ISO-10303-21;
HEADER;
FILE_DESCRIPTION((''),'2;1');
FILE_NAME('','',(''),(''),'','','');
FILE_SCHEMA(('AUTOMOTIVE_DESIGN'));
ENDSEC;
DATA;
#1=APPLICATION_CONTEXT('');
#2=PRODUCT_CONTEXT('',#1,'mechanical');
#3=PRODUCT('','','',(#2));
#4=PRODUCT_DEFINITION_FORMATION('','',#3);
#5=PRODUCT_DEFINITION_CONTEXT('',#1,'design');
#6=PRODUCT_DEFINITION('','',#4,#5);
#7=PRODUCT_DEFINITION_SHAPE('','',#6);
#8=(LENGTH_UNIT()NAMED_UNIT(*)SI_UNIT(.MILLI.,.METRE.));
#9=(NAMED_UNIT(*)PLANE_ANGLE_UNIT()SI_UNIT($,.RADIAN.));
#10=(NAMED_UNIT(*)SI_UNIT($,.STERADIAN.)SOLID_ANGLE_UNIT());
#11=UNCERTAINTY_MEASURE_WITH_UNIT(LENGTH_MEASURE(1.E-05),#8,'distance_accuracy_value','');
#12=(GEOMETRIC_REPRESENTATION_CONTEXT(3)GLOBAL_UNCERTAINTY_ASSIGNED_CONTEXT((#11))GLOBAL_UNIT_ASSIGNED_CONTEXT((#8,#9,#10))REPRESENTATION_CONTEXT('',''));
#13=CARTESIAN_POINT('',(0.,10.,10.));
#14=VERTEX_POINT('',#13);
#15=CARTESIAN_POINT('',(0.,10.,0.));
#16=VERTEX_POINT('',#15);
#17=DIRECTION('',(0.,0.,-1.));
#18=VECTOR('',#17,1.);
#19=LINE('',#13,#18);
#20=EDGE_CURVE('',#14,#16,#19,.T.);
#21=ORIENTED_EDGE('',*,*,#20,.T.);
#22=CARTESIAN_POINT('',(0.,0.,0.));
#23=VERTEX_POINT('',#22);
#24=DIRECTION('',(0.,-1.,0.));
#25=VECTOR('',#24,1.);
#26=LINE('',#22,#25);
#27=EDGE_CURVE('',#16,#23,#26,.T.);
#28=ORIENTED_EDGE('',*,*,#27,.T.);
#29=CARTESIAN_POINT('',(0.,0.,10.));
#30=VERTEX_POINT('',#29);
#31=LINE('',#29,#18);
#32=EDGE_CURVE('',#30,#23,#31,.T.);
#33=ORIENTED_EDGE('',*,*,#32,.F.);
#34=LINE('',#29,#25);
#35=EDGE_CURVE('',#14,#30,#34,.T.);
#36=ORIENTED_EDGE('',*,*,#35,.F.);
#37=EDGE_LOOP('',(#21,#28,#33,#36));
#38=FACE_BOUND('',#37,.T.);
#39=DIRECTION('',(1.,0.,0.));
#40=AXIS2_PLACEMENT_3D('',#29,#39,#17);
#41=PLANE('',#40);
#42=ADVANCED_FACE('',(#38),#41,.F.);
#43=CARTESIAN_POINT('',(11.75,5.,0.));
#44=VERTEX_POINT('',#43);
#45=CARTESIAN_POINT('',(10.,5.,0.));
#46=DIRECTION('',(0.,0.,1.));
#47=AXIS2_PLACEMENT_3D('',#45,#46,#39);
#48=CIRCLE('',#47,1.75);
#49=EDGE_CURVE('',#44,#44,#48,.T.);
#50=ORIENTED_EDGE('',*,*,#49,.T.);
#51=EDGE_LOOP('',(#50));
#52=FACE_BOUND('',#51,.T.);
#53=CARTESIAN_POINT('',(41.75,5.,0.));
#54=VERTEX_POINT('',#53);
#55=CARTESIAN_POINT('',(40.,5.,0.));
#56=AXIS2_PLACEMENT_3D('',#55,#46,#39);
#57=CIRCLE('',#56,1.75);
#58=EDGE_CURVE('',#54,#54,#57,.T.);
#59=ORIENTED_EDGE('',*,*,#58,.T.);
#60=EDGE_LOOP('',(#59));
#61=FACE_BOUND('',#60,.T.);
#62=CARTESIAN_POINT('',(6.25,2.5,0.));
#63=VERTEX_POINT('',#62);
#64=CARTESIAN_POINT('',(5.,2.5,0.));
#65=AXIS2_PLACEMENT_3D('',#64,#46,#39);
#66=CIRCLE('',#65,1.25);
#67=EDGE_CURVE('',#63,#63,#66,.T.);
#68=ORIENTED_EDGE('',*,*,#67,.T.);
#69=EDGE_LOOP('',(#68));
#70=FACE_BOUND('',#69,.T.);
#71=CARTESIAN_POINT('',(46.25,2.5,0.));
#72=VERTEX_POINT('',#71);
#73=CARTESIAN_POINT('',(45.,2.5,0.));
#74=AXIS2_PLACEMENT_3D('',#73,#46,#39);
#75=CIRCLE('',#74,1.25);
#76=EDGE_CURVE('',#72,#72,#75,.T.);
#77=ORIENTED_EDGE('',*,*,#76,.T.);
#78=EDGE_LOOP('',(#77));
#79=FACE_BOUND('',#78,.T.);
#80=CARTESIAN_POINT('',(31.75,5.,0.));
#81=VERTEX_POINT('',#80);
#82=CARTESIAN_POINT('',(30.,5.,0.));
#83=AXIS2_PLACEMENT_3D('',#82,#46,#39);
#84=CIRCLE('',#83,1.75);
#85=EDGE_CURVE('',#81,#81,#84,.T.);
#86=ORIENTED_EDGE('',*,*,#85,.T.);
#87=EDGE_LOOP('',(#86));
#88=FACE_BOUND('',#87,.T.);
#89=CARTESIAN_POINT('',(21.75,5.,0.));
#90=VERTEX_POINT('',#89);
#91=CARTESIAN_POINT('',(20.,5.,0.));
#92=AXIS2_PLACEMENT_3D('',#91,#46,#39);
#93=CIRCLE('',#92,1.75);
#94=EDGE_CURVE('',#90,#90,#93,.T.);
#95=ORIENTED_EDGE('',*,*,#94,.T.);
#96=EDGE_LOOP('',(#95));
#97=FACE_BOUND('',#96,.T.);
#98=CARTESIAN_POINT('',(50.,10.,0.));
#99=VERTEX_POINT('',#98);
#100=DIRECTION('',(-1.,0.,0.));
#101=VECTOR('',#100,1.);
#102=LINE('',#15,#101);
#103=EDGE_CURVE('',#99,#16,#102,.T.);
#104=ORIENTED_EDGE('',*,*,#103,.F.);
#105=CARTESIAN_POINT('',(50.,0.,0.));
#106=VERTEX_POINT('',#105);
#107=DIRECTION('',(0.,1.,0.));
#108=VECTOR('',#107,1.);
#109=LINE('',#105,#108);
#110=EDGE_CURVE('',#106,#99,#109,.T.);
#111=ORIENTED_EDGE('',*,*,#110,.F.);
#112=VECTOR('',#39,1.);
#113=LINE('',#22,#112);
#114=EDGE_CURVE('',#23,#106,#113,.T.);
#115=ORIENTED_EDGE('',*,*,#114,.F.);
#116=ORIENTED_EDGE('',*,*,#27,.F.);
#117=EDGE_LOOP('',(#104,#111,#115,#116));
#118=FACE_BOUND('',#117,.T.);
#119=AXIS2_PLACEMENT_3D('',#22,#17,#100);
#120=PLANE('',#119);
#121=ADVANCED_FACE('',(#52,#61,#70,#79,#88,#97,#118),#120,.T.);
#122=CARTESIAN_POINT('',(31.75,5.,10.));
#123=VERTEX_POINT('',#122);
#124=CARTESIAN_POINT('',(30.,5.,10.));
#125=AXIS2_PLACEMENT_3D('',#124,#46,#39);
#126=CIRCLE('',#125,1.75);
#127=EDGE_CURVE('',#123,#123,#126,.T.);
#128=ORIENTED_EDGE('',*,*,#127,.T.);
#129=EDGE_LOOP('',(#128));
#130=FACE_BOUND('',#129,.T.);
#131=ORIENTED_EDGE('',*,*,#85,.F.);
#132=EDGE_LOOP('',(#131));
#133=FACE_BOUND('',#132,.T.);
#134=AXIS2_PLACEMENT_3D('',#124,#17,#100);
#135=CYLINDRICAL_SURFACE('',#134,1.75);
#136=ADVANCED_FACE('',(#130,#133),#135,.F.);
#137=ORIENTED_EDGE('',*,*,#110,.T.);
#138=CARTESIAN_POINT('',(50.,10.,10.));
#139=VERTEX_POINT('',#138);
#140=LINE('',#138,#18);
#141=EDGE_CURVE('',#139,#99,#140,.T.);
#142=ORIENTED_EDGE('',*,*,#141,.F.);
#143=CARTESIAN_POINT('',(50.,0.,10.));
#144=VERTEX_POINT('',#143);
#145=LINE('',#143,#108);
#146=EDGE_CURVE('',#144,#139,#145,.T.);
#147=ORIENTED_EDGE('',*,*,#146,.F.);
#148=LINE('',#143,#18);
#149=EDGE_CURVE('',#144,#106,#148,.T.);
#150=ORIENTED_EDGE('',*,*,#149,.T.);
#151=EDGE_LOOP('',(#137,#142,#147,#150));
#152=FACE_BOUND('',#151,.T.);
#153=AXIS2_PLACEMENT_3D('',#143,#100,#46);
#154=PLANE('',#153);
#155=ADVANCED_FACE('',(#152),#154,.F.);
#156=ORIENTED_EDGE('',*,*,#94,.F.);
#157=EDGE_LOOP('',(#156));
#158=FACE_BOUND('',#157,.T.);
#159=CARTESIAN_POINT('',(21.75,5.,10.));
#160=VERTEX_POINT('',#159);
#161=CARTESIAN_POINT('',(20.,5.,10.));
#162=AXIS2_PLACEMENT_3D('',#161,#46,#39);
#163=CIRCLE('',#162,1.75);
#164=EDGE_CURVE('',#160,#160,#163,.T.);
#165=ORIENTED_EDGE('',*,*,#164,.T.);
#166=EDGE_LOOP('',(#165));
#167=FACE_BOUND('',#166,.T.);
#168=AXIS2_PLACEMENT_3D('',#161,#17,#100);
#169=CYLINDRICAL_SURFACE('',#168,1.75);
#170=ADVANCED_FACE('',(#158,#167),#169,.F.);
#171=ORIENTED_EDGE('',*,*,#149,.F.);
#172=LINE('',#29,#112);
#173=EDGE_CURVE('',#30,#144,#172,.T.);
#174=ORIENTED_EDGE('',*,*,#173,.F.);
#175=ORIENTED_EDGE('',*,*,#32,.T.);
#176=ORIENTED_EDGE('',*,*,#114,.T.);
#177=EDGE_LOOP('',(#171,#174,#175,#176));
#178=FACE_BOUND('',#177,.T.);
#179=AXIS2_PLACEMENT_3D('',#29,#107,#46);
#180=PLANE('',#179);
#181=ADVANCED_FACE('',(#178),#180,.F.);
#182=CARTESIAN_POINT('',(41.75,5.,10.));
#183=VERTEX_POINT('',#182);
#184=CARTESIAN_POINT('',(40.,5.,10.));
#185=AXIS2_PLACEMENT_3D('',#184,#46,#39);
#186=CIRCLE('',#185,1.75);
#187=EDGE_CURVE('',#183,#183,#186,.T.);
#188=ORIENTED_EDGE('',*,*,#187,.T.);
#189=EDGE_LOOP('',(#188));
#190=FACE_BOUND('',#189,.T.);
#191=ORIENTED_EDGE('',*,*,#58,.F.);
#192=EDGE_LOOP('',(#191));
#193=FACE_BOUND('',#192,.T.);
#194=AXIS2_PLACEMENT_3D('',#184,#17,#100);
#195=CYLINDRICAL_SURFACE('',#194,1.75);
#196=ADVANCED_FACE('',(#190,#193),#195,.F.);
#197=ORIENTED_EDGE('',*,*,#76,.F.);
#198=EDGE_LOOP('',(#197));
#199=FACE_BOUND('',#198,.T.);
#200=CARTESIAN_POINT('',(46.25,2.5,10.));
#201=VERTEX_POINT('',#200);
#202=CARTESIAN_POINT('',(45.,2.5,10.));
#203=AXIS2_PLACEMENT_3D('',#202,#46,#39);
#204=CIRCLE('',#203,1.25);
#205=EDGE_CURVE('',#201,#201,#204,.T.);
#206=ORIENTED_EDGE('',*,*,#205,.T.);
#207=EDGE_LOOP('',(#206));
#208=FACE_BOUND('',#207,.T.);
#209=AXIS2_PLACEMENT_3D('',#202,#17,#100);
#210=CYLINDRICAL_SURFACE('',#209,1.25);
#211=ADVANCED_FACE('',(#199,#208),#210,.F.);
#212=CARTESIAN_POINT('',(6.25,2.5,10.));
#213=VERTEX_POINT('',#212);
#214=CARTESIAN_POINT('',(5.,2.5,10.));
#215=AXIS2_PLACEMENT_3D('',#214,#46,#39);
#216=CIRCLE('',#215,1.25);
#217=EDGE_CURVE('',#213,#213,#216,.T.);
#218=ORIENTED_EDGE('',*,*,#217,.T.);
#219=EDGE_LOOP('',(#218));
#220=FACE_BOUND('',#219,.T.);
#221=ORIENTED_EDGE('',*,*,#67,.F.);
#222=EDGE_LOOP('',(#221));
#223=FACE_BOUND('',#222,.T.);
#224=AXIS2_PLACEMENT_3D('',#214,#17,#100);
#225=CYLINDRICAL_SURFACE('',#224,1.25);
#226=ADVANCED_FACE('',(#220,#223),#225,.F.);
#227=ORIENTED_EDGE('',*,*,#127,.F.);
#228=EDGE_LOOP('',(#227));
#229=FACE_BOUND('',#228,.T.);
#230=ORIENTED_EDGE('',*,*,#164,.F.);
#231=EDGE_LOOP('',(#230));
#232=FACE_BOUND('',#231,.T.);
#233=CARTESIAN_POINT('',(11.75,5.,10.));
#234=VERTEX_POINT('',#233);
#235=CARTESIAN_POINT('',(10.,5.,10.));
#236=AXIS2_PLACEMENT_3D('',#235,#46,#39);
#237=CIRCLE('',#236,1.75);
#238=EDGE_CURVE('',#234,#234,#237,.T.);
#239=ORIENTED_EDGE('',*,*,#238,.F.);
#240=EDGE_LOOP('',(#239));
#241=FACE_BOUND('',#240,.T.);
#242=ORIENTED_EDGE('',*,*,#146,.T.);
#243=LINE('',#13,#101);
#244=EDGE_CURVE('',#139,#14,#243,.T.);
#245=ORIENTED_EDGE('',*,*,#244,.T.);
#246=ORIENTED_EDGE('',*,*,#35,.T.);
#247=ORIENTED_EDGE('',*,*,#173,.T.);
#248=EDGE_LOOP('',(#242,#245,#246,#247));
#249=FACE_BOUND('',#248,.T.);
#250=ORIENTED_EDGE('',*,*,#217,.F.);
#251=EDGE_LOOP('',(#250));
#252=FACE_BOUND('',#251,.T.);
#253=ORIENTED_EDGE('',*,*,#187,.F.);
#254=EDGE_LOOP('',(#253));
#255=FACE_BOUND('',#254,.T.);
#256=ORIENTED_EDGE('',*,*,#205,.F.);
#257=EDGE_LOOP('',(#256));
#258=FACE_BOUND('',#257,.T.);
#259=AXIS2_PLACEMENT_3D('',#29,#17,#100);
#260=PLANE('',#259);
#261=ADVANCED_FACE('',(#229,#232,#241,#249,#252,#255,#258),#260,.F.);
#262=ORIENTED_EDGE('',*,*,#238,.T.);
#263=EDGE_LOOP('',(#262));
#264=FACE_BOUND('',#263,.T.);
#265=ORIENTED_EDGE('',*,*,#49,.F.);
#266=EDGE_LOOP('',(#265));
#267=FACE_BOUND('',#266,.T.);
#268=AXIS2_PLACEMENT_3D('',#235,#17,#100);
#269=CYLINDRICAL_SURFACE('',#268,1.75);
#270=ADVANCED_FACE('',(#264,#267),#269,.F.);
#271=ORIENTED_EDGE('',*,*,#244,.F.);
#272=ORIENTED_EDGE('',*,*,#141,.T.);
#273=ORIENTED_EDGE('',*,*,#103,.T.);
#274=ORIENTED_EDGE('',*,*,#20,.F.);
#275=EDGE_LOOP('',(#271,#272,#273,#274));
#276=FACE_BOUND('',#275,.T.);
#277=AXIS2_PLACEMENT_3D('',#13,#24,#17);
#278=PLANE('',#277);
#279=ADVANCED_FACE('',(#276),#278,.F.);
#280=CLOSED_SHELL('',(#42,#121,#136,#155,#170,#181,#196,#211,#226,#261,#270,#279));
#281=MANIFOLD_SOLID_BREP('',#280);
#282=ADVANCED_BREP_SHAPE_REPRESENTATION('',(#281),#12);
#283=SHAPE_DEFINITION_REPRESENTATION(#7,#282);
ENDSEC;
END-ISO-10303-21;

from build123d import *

# Parameters (mm, degrees)
ESQUISSE1_W        = 50
ESQUISSE1_H        = 10
ESQUISSE1_R        = 1.25
ESQUISSE1_R_2      = 1.75
BOSS_EXTRU_1_DEPTH = 10


with BuildPart() as part:
    # Esquisse1 → Boss.-Extru.1 (new body)
    with BuildSketch(Plane.XY):
        with Locations((25, 5)):
            Rectangle(ESQUISSE1_W, ESQUISSE1_H)
        with Locations((5, 2.5)):
            Circle(ESQUISSE1_R, mode=Mode.SUBTRACT)
        with Locations((45, 2.5)):
            Circle(ESQUISSE1_R, mode=Mode.SUBTRACT)
        with Locations((40, 5)):
            Circle(ESQUISSE1_R_2, mode=Mode.SUBTRACT)
        with Locations((30, 5)):
            Circle(ESQUISSE1_R_2, mode=Mode.SUBTRACT)
        with Locations((20, 5)):
            Circle(ESQUISSE1_R_2, mode=Mode.SUBTRACT)
        with Locations((10, 5)):
            Circle(ESQUISSE1_R_2, mode=Mode.SUBTRACT)
    extrude(amount=BOSS_EXTRU_1_DEPTH)


solid = part.part
